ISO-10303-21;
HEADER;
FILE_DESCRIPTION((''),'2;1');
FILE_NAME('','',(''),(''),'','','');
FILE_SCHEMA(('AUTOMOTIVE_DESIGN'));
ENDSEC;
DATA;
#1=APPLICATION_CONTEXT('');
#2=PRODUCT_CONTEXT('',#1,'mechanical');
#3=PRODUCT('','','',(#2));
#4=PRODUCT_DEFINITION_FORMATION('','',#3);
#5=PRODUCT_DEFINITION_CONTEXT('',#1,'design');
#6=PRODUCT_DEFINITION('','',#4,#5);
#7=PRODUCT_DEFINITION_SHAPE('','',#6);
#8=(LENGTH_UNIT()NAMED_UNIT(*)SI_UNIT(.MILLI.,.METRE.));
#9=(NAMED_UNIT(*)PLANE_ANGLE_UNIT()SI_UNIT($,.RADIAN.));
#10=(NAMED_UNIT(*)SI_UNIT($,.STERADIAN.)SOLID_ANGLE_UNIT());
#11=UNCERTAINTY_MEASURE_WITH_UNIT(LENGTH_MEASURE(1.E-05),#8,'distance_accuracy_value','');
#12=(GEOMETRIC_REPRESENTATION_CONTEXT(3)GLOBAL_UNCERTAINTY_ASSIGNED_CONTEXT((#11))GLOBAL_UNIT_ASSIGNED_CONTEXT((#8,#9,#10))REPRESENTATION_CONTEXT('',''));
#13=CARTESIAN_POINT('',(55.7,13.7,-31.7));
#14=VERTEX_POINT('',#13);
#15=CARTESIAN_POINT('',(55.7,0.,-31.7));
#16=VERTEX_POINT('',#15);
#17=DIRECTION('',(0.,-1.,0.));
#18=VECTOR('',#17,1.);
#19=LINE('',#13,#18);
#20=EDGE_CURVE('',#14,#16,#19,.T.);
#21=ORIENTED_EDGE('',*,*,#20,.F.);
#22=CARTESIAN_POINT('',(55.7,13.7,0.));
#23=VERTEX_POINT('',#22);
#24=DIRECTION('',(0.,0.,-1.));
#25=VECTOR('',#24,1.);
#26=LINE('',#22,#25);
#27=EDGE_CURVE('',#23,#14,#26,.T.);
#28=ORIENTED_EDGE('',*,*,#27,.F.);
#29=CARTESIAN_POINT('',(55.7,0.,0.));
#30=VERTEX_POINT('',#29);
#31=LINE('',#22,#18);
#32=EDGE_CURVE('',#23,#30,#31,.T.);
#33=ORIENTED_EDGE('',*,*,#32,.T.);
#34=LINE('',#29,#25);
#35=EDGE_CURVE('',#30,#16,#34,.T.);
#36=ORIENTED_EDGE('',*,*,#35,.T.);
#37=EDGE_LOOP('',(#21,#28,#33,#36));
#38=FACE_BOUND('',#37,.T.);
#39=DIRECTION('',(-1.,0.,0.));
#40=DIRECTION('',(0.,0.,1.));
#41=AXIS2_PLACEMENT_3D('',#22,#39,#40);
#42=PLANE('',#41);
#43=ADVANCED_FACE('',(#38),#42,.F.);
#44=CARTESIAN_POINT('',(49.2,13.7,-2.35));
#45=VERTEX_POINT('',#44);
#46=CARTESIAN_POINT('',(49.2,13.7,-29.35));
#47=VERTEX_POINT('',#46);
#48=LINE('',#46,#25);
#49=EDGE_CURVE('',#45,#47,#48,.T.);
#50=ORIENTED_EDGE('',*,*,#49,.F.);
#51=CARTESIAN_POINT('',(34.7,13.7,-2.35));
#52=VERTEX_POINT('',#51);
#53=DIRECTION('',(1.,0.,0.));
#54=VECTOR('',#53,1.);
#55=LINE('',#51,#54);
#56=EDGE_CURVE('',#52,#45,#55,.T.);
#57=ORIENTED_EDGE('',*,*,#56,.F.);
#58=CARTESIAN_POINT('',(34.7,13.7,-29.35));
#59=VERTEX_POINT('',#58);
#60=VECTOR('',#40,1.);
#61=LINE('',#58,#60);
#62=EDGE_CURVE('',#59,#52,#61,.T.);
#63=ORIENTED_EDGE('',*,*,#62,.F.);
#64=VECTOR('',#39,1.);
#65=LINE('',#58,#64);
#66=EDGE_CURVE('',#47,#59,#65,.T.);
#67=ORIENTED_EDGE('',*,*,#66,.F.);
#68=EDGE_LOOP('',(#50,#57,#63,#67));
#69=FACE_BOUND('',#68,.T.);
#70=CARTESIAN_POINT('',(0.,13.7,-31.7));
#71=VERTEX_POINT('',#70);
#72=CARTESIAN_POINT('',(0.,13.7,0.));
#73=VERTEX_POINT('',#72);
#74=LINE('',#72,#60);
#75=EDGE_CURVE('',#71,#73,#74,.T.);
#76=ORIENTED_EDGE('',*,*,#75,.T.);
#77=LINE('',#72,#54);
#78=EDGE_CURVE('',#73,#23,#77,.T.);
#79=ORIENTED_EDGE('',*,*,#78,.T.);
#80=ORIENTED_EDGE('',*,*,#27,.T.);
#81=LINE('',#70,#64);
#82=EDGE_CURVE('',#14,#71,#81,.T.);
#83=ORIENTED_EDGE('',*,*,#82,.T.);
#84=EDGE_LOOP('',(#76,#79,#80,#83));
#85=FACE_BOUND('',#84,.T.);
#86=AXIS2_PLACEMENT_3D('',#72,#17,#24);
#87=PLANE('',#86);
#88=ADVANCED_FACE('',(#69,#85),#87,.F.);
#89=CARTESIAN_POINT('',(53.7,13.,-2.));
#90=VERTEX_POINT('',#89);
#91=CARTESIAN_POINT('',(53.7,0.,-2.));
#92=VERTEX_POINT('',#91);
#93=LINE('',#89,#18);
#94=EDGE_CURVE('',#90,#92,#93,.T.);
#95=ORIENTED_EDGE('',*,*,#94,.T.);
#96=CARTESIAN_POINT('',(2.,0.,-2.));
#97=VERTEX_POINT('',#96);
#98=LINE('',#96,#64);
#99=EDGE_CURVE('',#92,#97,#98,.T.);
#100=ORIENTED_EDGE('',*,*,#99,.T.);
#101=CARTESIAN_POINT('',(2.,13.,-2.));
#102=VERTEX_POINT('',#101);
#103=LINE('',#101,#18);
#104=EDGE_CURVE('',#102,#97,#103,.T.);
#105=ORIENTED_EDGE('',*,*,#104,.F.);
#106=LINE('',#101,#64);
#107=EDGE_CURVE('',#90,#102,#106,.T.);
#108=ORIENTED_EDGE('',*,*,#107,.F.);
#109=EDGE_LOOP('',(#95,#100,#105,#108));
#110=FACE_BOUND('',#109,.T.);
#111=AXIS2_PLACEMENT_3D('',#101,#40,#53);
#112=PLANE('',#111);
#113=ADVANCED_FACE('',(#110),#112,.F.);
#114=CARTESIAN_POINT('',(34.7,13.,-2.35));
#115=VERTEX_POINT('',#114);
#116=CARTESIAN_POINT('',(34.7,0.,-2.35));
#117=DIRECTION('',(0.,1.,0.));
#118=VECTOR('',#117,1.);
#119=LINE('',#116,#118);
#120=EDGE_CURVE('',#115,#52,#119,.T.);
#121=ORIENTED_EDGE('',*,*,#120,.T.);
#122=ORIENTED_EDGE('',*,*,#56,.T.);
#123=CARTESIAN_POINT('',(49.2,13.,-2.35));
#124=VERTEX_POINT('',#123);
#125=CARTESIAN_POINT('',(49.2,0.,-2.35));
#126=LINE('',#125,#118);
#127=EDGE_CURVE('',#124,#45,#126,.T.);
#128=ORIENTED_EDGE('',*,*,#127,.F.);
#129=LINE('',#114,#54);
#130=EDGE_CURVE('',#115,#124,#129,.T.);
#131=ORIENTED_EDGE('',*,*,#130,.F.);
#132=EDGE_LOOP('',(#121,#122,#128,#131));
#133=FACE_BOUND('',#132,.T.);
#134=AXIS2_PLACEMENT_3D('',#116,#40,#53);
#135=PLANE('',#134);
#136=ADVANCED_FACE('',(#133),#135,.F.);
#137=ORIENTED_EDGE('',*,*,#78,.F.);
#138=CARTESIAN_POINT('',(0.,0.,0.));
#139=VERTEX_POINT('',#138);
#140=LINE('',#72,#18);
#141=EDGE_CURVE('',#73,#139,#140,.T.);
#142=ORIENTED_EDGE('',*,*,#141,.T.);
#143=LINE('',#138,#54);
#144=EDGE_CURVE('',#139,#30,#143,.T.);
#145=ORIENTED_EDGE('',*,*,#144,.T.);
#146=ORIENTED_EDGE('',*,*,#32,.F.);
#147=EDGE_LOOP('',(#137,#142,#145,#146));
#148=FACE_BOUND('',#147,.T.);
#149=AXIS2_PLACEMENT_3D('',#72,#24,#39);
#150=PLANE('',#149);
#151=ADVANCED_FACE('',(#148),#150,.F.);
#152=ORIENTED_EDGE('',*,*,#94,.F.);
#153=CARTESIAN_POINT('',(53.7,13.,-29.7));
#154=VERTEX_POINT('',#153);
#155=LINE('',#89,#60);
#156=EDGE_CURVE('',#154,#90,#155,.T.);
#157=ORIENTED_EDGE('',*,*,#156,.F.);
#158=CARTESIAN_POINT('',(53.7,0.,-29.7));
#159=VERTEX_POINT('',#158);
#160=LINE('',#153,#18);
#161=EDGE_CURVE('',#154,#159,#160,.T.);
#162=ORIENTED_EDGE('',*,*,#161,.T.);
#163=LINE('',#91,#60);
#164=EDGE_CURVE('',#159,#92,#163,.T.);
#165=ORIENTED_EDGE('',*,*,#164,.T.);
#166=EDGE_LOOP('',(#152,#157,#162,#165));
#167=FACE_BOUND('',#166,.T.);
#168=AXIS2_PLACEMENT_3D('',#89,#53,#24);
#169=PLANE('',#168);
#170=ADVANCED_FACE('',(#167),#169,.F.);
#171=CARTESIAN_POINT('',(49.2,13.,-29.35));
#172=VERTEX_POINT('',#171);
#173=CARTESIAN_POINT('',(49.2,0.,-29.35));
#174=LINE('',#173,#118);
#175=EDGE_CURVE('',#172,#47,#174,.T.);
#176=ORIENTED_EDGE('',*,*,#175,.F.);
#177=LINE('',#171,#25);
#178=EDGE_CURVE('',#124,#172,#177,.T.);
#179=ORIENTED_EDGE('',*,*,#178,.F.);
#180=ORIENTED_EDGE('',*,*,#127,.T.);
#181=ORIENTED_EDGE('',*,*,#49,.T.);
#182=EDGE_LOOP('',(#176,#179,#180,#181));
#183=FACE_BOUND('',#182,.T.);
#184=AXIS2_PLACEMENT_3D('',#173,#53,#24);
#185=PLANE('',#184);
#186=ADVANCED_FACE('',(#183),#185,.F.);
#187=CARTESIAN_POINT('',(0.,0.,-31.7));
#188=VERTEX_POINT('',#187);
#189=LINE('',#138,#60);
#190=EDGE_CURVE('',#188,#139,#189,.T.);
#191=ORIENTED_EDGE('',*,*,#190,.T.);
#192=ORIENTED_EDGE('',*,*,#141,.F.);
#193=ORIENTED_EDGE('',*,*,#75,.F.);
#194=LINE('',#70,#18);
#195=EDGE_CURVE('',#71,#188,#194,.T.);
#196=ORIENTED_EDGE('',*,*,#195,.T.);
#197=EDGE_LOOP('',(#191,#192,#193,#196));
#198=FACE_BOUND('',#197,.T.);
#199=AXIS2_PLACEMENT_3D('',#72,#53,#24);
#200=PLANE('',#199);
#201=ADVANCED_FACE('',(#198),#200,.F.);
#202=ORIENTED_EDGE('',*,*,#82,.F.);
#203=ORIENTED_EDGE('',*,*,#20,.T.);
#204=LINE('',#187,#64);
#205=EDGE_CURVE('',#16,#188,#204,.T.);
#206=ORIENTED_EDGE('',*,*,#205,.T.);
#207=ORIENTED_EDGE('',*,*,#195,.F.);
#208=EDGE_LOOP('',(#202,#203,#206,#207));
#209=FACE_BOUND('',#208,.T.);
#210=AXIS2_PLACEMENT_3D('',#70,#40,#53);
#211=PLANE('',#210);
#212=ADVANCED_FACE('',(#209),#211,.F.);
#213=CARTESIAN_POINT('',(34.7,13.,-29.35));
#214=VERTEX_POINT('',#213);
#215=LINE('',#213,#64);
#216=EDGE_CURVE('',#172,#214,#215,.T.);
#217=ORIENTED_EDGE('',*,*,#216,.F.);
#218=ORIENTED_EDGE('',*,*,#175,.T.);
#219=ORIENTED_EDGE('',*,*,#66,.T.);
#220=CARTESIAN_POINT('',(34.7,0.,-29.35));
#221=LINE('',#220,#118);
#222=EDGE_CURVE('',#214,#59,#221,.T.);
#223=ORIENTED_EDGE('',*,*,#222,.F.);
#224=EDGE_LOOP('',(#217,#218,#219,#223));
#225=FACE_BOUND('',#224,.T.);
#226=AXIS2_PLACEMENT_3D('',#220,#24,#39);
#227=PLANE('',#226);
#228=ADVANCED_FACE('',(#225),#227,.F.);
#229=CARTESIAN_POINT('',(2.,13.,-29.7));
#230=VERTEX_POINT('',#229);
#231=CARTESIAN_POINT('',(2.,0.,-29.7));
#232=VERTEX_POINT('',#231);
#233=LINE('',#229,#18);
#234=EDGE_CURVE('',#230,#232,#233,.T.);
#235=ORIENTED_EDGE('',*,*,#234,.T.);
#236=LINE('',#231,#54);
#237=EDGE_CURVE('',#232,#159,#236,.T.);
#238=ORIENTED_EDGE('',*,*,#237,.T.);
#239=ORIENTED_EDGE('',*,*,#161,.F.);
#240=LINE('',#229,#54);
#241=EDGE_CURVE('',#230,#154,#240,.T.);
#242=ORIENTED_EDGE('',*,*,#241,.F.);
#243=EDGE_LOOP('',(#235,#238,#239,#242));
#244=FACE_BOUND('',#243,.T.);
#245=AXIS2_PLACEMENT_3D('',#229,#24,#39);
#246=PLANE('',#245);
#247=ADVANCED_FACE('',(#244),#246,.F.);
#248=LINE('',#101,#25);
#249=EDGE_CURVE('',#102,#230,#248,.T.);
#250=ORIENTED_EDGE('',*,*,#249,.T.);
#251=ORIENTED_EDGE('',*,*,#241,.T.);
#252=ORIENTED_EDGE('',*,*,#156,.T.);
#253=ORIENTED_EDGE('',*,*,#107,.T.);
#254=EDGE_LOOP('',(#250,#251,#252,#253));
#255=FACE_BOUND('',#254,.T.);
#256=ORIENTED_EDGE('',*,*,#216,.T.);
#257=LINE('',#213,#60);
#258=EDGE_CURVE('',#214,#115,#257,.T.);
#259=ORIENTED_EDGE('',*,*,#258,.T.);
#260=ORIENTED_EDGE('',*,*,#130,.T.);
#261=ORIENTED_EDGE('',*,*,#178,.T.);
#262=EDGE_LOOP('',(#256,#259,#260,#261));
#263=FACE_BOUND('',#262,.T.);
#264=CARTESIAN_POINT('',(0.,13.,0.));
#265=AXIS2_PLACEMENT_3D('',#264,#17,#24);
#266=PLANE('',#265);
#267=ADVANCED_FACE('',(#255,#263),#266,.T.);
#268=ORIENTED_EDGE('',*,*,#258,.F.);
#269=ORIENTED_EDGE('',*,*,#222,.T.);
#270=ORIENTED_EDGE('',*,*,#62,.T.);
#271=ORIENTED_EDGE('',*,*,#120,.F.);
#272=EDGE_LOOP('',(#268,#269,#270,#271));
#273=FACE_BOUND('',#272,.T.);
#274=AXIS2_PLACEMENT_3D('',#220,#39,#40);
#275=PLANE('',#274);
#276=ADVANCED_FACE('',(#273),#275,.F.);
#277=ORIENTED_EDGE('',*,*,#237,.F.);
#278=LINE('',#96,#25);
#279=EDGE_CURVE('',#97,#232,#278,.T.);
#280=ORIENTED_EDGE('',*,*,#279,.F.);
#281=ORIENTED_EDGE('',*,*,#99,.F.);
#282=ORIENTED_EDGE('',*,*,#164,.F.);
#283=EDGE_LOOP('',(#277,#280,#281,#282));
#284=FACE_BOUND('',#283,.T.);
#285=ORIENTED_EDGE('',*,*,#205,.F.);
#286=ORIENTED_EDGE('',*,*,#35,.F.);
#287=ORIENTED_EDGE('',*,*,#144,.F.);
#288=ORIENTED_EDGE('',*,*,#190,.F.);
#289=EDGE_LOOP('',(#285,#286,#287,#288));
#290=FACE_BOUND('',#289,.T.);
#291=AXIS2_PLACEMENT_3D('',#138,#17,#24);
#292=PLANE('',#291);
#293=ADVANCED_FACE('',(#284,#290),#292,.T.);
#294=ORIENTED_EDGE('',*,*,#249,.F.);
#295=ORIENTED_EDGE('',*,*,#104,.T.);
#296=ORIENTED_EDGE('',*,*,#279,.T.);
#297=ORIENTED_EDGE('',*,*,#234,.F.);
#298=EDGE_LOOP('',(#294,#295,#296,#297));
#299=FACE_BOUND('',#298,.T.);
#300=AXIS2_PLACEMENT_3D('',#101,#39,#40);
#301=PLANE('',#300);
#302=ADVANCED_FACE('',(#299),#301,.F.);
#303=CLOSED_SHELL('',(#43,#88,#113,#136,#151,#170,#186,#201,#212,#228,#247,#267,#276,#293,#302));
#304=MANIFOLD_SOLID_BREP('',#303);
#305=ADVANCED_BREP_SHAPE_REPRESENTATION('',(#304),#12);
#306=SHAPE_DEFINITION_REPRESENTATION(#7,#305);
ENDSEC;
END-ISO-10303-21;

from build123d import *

# Parameters (mm, degrees)
SKETCH1_W           = 55.7
SKETCH1_H           = 31.7
BOSS_EXTRUDE1_DEPTH = 13.7
SKETCH2_W           = 14.5
SKETCH2_H           = 27
CUT_EXTRUDE1_DEPTH  = 13.7
SKETCH3_W           = 51.7
SKETCH3_H           = 27.7
CUT_EXTRUDE2_DEPTH  = 13


with BuildPart() as part:
    # Sketch1 → Boss-Extrude1 (new body)
    with BuildSketch(Plane(origin=(0, 0, 0), x_dir=(1, 0, 0), z_dir=(0, 1, 0))):
        with Locations((27.85, 15.85)):
            Rectangle(SKETCH1_W, SKETCH1_H)
    extrude(amount=BOSS_EXTRUDE1_DEPTH)

    # Sketch2 → Cut-Extrude1 (cut)
    with BuildSketch(Plane(origin=(0, 13.7, 0), x_dir=(1, 0, 0), z_dir=(0, 1, 0))):
        with Locations((41.95, 15.85)):
            Rectangle(SKETCH2_W, SKETCH2_H)
    extrude(amount=-CUT_EXTRUDE1_DEPTH, mode=Mode.SUBTRACT)

    # Sketch3 → Cut-Extrude2 (cut)
    with BuildSketch(Plane.XZ):
        with Locations((27.85, -15.85)):
            Rectangle(SKETCH3_W, SKETCH3_H)
    extrude(amount=-CUT_EXTRUDE2_DEPTH, mode=Mode.SUBTRACT)


solid = part.part
